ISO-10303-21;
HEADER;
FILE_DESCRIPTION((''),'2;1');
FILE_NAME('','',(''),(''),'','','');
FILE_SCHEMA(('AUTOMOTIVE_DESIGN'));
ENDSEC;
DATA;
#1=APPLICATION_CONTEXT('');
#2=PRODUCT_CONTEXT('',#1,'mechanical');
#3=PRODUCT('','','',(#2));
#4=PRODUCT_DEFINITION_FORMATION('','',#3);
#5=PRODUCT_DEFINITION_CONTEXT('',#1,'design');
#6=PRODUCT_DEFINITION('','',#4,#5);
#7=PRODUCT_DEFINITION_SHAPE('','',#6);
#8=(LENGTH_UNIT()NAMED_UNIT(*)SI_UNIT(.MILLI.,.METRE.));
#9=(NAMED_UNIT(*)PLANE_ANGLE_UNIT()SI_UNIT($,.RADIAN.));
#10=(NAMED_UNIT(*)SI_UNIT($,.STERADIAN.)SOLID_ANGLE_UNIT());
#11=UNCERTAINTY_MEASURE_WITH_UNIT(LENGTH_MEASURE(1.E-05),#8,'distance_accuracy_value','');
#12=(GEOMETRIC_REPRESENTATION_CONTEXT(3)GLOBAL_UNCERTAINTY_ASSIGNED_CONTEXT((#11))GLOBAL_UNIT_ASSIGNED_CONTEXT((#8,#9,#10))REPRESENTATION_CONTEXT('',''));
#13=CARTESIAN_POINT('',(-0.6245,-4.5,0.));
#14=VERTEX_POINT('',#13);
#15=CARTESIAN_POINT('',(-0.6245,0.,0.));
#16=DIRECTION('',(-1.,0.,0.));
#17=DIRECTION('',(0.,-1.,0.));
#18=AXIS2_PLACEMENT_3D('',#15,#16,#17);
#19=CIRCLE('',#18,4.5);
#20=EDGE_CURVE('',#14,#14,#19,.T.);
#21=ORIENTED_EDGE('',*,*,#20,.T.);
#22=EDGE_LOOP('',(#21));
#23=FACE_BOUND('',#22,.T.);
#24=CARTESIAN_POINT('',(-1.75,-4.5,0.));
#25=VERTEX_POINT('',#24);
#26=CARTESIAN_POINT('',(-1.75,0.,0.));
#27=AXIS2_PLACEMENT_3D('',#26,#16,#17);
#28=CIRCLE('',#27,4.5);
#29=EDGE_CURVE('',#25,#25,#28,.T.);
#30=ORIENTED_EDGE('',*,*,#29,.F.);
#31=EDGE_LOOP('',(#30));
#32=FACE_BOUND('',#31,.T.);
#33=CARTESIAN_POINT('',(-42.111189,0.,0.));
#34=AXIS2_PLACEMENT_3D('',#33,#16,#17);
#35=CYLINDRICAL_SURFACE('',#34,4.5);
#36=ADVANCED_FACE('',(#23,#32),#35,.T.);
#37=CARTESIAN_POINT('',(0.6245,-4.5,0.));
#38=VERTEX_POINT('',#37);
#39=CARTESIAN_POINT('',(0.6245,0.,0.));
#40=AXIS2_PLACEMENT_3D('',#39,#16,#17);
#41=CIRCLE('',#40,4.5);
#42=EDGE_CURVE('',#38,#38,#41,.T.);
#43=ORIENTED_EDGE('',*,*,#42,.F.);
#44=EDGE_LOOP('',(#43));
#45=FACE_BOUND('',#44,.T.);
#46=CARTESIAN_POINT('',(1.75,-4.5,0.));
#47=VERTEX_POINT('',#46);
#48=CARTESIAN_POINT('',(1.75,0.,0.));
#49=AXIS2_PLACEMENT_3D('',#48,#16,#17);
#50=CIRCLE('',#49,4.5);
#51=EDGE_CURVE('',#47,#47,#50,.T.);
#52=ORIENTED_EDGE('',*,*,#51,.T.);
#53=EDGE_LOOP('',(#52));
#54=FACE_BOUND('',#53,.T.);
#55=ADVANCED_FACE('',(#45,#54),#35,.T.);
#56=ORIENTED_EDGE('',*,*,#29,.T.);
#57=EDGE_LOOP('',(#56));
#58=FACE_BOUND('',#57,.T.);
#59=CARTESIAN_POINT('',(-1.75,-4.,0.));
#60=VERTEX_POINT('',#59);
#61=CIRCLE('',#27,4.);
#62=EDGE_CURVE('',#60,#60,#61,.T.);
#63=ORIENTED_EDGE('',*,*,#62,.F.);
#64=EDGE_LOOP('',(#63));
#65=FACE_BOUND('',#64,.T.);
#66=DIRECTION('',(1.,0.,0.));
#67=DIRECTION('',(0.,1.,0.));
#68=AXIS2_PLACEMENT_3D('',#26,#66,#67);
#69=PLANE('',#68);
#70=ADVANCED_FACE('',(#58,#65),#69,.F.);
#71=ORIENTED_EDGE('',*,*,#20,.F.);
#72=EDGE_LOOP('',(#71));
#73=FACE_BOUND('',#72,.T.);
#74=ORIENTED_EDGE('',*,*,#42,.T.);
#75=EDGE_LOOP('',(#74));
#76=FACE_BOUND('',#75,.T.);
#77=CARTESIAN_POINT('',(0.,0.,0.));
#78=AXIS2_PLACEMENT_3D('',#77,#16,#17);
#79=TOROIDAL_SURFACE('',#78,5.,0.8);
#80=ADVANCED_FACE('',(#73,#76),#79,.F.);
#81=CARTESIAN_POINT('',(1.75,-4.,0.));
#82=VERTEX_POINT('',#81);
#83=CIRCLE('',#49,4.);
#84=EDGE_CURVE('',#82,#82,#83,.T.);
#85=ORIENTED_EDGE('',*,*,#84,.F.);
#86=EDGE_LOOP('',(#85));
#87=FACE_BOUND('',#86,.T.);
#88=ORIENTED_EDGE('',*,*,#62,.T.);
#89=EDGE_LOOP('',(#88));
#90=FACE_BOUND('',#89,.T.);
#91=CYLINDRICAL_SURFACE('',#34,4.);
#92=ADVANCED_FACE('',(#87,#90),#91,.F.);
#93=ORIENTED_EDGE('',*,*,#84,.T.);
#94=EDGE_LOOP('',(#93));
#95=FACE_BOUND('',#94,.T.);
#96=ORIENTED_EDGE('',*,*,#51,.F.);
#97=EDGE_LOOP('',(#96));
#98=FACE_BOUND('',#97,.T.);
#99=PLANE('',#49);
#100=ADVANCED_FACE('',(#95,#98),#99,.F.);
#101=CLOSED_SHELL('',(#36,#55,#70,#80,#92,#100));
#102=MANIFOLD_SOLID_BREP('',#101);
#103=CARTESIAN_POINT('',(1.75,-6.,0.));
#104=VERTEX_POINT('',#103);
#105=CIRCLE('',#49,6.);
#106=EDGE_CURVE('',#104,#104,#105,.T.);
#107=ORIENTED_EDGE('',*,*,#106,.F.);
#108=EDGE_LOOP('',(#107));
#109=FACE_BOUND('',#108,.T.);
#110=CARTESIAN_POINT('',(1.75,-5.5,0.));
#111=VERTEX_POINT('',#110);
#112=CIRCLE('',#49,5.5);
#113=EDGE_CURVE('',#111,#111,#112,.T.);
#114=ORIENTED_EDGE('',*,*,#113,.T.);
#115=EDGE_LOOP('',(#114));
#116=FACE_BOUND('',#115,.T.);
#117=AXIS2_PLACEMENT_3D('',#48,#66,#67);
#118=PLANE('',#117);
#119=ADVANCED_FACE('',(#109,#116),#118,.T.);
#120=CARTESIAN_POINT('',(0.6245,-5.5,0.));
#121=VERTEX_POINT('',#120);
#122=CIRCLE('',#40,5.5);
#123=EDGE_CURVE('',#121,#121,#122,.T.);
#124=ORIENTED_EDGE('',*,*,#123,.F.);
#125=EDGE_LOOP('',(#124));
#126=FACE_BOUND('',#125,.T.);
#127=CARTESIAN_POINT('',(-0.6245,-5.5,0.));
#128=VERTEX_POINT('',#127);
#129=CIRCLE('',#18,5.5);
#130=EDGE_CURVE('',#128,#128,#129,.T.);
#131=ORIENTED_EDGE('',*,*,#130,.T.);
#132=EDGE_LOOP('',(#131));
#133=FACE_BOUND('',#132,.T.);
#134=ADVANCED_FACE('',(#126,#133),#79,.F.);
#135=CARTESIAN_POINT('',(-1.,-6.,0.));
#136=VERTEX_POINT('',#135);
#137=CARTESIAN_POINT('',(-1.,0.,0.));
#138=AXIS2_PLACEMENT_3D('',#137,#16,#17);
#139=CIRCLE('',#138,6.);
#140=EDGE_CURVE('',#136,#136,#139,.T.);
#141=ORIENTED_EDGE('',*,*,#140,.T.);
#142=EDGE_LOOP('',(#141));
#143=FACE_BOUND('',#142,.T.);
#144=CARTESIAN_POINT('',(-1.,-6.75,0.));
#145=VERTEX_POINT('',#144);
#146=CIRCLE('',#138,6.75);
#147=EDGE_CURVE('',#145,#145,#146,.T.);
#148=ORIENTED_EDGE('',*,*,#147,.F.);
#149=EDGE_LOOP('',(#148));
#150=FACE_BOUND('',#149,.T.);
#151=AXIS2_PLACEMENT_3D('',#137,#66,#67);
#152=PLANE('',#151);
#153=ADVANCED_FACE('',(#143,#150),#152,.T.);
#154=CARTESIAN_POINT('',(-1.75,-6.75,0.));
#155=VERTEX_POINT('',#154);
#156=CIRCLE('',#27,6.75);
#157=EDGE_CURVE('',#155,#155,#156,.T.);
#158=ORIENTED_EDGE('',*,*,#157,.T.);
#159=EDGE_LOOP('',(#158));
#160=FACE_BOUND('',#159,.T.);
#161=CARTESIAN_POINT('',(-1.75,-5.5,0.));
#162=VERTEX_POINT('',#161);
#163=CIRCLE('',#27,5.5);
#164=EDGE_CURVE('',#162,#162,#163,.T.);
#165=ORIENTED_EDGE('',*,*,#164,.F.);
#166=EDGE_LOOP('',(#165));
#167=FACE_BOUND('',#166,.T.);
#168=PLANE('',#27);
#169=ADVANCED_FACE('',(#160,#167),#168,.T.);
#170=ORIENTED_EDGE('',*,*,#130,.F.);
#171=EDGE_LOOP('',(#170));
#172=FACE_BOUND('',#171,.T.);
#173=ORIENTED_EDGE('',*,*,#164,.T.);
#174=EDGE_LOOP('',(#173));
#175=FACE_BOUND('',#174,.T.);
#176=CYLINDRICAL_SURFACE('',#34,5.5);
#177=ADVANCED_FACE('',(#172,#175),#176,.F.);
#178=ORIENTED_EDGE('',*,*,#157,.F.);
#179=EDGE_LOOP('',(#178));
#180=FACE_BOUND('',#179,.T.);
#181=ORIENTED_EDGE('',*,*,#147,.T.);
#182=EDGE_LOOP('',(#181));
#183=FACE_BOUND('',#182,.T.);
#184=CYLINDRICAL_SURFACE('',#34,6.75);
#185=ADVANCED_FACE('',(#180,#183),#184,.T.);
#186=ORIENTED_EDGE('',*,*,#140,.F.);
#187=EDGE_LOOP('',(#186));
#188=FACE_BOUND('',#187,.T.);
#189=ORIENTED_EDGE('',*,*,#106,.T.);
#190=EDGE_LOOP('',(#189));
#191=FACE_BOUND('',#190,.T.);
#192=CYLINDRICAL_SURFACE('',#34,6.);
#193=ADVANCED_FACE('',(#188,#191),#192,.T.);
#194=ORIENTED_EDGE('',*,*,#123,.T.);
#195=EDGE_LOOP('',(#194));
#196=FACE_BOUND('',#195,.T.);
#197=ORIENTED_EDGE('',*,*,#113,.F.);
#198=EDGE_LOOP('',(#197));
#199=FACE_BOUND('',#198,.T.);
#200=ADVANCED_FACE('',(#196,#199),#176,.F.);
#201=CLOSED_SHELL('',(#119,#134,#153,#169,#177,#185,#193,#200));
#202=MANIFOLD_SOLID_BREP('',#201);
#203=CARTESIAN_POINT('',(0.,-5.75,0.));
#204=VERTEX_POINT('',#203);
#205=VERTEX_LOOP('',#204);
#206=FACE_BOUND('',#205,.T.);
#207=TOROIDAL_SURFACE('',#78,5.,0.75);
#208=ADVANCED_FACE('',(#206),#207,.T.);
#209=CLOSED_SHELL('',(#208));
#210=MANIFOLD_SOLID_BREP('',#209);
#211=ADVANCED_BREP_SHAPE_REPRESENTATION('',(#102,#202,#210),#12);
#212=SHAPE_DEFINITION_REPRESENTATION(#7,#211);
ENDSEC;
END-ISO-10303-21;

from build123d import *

# Parameters (mm, degrees)
SKETCH1_3_R = 0.75


with BuildPart() as part:
    # Sketch1 → Revolve1 (revolve)
    with BuildSketch(Plane.XY):
        with BuildLine():
            Line((-1, 6), (-1, 6.75))
            Line((-1, 6.75), (-1.75, 6.75))
            Line((-1.75, 6.75), (-1.75, 5.5))
            Line((-1.75, 5.5), (-0.6244998, 5.5))
            ThreePointArc((-0.6244998, 5.5), (0, 5.8), (0.6244998, 5.5))
            Line((0.6244998, 5.5), (1.75, 5.5))
            Line((1.75, 5.5), (1.75, 6))
            Line((1.75, 6), (-1, 6))
        make_face()
        with BuildLine():
            Line((-0.6244998, 4.5), (-1.75, 4.5))
            Line((-1.75, 4.5), (-1.75, 4))
            Line((-1.75, 4), (1.75, 4))
            Line((1.75, 4), (1.75, 4.5))
            Line((1.75, 4.5), (0.6244998, 4.5))
            ThreePointArc((0.6244998, 4.5), (0, 4.2), (-0.6244998, 4.5))
        make_face()
    revolve(axis=Axis((-42.111189303, 0, 0), (1, 0, 0)))


with BuildPart() as body_2:
    # Sketch1<3> → Revolve2 (revolve)
    with BuildSketch(Plane.XY):
        with Locations((0, 5)):
            Circle(SKETCH1_3_R)
    revolve(axis=Axis((-42.111189303, 0, 0), (1, 0, 0)))


solid = Compound([part.part, body_2.part])
